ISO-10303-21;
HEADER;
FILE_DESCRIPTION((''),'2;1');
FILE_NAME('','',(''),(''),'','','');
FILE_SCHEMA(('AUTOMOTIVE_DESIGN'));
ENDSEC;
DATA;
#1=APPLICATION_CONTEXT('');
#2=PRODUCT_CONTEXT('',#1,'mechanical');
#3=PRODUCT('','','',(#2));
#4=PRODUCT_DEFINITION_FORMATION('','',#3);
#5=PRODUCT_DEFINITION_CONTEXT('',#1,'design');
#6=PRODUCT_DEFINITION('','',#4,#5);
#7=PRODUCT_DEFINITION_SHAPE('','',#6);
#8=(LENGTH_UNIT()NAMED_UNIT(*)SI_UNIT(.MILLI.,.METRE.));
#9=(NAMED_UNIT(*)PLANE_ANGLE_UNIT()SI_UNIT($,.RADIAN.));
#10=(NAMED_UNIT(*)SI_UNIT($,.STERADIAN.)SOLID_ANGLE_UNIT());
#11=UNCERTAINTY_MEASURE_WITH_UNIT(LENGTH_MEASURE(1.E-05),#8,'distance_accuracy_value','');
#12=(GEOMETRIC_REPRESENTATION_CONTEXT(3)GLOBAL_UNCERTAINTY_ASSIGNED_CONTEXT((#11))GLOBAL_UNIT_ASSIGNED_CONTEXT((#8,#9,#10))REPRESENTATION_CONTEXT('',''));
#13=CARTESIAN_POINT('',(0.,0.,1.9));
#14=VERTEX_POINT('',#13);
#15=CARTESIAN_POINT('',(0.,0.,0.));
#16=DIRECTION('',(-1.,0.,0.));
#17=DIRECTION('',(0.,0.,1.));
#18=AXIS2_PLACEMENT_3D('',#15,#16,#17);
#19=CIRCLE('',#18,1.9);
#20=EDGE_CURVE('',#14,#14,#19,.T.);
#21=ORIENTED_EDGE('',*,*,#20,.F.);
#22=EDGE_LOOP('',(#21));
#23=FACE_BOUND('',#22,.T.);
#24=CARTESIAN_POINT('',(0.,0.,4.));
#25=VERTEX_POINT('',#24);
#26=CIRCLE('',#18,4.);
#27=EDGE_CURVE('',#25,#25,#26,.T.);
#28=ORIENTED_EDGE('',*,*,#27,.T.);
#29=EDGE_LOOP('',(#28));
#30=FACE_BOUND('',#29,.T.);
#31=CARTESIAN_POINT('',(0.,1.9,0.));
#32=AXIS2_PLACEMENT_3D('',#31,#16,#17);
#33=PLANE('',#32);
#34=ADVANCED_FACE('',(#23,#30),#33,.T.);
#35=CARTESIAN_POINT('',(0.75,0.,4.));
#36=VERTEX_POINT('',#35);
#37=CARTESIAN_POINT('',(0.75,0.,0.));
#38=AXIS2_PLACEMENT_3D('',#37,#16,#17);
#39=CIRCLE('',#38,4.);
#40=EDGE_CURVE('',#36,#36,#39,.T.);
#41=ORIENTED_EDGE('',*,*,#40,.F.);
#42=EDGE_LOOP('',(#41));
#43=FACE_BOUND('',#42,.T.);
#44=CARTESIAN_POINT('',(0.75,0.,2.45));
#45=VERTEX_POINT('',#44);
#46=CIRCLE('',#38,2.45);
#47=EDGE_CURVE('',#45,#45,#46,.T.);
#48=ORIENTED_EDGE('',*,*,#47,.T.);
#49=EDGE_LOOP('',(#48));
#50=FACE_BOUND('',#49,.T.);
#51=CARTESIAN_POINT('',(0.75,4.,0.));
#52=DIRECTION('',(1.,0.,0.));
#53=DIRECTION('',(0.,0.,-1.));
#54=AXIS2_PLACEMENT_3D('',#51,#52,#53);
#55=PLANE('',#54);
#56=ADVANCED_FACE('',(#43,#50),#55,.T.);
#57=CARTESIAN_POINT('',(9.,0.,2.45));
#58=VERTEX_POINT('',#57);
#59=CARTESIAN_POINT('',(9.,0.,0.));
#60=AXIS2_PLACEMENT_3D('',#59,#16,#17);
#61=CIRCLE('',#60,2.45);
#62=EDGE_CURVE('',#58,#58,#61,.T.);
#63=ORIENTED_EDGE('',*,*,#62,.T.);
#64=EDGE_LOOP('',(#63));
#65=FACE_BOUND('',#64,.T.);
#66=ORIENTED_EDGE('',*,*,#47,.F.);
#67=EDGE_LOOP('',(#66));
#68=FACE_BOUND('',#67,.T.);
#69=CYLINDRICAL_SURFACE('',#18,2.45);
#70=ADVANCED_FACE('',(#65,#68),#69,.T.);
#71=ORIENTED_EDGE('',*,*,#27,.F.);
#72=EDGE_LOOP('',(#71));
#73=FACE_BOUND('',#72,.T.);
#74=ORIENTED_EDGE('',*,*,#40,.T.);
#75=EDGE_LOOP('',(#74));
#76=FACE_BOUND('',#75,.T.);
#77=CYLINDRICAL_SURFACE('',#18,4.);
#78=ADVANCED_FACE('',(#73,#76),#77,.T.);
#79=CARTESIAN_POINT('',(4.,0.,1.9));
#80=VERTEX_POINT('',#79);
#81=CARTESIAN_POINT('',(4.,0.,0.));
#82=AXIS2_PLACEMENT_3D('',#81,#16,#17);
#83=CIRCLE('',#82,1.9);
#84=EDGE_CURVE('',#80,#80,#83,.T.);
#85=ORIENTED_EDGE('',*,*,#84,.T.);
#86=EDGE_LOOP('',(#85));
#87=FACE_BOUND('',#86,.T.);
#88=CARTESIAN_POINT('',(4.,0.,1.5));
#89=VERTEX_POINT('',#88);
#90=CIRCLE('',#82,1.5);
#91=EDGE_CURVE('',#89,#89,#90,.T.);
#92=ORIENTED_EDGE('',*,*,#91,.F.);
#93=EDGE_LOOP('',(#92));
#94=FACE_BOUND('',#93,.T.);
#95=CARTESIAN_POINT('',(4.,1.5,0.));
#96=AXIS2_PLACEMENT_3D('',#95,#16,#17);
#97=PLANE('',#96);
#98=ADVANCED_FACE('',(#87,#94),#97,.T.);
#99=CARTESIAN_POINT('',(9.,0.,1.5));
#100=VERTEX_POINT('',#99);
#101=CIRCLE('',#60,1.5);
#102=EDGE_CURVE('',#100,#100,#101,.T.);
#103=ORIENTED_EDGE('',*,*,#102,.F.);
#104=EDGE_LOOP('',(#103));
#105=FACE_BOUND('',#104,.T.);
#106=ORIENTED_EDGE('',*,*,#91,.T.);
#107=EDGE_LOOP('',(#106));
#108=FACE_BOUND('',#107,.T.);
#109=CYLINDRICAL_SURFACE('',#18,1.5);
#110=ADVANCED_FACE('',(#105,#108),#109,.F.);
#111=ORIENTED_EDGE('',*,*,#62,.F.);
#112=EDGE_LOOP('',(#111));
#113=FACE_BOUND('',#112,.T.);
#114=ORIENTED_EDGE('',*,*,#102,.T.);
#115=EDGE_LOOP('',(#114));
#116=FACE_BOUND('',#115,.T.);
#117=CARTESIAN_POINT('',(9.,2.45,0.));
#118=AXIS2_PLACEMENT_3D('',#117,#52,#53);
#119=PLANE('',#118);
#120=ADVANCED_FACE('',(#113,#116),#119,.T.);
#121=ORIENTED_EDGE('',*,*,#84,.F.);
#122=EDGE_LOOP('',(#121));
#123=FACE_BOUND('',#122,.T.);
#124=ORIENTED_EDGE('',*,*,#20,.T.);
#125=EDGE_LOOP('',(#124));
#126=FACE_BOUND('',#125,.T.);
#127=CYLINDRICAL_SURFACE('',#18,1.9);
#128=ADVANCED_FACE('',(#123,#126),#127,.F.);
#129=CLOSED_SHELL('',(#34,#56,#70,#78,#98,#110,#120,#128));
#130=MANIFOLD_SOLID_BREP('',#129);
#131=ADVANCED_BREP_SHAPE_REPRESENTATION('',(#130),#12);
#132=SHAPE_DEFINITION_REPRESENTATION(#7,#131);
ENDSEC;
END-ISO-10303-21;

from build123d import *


with BuildPart() as part:
    # 草图1 → 旋转1 (revolve)
    with BuildSketch(Plane.XY):
        Polygon((0, 1.9), (0, 4), (0.75, 4), (0.75, 2.45), (9, 2.45), (9, 1.5), (4, 1.5), (4, 1.9), align=None)
    revolve(axis=Axis((0, 0, 0), (1, 0, 0)))


solid = part.part
